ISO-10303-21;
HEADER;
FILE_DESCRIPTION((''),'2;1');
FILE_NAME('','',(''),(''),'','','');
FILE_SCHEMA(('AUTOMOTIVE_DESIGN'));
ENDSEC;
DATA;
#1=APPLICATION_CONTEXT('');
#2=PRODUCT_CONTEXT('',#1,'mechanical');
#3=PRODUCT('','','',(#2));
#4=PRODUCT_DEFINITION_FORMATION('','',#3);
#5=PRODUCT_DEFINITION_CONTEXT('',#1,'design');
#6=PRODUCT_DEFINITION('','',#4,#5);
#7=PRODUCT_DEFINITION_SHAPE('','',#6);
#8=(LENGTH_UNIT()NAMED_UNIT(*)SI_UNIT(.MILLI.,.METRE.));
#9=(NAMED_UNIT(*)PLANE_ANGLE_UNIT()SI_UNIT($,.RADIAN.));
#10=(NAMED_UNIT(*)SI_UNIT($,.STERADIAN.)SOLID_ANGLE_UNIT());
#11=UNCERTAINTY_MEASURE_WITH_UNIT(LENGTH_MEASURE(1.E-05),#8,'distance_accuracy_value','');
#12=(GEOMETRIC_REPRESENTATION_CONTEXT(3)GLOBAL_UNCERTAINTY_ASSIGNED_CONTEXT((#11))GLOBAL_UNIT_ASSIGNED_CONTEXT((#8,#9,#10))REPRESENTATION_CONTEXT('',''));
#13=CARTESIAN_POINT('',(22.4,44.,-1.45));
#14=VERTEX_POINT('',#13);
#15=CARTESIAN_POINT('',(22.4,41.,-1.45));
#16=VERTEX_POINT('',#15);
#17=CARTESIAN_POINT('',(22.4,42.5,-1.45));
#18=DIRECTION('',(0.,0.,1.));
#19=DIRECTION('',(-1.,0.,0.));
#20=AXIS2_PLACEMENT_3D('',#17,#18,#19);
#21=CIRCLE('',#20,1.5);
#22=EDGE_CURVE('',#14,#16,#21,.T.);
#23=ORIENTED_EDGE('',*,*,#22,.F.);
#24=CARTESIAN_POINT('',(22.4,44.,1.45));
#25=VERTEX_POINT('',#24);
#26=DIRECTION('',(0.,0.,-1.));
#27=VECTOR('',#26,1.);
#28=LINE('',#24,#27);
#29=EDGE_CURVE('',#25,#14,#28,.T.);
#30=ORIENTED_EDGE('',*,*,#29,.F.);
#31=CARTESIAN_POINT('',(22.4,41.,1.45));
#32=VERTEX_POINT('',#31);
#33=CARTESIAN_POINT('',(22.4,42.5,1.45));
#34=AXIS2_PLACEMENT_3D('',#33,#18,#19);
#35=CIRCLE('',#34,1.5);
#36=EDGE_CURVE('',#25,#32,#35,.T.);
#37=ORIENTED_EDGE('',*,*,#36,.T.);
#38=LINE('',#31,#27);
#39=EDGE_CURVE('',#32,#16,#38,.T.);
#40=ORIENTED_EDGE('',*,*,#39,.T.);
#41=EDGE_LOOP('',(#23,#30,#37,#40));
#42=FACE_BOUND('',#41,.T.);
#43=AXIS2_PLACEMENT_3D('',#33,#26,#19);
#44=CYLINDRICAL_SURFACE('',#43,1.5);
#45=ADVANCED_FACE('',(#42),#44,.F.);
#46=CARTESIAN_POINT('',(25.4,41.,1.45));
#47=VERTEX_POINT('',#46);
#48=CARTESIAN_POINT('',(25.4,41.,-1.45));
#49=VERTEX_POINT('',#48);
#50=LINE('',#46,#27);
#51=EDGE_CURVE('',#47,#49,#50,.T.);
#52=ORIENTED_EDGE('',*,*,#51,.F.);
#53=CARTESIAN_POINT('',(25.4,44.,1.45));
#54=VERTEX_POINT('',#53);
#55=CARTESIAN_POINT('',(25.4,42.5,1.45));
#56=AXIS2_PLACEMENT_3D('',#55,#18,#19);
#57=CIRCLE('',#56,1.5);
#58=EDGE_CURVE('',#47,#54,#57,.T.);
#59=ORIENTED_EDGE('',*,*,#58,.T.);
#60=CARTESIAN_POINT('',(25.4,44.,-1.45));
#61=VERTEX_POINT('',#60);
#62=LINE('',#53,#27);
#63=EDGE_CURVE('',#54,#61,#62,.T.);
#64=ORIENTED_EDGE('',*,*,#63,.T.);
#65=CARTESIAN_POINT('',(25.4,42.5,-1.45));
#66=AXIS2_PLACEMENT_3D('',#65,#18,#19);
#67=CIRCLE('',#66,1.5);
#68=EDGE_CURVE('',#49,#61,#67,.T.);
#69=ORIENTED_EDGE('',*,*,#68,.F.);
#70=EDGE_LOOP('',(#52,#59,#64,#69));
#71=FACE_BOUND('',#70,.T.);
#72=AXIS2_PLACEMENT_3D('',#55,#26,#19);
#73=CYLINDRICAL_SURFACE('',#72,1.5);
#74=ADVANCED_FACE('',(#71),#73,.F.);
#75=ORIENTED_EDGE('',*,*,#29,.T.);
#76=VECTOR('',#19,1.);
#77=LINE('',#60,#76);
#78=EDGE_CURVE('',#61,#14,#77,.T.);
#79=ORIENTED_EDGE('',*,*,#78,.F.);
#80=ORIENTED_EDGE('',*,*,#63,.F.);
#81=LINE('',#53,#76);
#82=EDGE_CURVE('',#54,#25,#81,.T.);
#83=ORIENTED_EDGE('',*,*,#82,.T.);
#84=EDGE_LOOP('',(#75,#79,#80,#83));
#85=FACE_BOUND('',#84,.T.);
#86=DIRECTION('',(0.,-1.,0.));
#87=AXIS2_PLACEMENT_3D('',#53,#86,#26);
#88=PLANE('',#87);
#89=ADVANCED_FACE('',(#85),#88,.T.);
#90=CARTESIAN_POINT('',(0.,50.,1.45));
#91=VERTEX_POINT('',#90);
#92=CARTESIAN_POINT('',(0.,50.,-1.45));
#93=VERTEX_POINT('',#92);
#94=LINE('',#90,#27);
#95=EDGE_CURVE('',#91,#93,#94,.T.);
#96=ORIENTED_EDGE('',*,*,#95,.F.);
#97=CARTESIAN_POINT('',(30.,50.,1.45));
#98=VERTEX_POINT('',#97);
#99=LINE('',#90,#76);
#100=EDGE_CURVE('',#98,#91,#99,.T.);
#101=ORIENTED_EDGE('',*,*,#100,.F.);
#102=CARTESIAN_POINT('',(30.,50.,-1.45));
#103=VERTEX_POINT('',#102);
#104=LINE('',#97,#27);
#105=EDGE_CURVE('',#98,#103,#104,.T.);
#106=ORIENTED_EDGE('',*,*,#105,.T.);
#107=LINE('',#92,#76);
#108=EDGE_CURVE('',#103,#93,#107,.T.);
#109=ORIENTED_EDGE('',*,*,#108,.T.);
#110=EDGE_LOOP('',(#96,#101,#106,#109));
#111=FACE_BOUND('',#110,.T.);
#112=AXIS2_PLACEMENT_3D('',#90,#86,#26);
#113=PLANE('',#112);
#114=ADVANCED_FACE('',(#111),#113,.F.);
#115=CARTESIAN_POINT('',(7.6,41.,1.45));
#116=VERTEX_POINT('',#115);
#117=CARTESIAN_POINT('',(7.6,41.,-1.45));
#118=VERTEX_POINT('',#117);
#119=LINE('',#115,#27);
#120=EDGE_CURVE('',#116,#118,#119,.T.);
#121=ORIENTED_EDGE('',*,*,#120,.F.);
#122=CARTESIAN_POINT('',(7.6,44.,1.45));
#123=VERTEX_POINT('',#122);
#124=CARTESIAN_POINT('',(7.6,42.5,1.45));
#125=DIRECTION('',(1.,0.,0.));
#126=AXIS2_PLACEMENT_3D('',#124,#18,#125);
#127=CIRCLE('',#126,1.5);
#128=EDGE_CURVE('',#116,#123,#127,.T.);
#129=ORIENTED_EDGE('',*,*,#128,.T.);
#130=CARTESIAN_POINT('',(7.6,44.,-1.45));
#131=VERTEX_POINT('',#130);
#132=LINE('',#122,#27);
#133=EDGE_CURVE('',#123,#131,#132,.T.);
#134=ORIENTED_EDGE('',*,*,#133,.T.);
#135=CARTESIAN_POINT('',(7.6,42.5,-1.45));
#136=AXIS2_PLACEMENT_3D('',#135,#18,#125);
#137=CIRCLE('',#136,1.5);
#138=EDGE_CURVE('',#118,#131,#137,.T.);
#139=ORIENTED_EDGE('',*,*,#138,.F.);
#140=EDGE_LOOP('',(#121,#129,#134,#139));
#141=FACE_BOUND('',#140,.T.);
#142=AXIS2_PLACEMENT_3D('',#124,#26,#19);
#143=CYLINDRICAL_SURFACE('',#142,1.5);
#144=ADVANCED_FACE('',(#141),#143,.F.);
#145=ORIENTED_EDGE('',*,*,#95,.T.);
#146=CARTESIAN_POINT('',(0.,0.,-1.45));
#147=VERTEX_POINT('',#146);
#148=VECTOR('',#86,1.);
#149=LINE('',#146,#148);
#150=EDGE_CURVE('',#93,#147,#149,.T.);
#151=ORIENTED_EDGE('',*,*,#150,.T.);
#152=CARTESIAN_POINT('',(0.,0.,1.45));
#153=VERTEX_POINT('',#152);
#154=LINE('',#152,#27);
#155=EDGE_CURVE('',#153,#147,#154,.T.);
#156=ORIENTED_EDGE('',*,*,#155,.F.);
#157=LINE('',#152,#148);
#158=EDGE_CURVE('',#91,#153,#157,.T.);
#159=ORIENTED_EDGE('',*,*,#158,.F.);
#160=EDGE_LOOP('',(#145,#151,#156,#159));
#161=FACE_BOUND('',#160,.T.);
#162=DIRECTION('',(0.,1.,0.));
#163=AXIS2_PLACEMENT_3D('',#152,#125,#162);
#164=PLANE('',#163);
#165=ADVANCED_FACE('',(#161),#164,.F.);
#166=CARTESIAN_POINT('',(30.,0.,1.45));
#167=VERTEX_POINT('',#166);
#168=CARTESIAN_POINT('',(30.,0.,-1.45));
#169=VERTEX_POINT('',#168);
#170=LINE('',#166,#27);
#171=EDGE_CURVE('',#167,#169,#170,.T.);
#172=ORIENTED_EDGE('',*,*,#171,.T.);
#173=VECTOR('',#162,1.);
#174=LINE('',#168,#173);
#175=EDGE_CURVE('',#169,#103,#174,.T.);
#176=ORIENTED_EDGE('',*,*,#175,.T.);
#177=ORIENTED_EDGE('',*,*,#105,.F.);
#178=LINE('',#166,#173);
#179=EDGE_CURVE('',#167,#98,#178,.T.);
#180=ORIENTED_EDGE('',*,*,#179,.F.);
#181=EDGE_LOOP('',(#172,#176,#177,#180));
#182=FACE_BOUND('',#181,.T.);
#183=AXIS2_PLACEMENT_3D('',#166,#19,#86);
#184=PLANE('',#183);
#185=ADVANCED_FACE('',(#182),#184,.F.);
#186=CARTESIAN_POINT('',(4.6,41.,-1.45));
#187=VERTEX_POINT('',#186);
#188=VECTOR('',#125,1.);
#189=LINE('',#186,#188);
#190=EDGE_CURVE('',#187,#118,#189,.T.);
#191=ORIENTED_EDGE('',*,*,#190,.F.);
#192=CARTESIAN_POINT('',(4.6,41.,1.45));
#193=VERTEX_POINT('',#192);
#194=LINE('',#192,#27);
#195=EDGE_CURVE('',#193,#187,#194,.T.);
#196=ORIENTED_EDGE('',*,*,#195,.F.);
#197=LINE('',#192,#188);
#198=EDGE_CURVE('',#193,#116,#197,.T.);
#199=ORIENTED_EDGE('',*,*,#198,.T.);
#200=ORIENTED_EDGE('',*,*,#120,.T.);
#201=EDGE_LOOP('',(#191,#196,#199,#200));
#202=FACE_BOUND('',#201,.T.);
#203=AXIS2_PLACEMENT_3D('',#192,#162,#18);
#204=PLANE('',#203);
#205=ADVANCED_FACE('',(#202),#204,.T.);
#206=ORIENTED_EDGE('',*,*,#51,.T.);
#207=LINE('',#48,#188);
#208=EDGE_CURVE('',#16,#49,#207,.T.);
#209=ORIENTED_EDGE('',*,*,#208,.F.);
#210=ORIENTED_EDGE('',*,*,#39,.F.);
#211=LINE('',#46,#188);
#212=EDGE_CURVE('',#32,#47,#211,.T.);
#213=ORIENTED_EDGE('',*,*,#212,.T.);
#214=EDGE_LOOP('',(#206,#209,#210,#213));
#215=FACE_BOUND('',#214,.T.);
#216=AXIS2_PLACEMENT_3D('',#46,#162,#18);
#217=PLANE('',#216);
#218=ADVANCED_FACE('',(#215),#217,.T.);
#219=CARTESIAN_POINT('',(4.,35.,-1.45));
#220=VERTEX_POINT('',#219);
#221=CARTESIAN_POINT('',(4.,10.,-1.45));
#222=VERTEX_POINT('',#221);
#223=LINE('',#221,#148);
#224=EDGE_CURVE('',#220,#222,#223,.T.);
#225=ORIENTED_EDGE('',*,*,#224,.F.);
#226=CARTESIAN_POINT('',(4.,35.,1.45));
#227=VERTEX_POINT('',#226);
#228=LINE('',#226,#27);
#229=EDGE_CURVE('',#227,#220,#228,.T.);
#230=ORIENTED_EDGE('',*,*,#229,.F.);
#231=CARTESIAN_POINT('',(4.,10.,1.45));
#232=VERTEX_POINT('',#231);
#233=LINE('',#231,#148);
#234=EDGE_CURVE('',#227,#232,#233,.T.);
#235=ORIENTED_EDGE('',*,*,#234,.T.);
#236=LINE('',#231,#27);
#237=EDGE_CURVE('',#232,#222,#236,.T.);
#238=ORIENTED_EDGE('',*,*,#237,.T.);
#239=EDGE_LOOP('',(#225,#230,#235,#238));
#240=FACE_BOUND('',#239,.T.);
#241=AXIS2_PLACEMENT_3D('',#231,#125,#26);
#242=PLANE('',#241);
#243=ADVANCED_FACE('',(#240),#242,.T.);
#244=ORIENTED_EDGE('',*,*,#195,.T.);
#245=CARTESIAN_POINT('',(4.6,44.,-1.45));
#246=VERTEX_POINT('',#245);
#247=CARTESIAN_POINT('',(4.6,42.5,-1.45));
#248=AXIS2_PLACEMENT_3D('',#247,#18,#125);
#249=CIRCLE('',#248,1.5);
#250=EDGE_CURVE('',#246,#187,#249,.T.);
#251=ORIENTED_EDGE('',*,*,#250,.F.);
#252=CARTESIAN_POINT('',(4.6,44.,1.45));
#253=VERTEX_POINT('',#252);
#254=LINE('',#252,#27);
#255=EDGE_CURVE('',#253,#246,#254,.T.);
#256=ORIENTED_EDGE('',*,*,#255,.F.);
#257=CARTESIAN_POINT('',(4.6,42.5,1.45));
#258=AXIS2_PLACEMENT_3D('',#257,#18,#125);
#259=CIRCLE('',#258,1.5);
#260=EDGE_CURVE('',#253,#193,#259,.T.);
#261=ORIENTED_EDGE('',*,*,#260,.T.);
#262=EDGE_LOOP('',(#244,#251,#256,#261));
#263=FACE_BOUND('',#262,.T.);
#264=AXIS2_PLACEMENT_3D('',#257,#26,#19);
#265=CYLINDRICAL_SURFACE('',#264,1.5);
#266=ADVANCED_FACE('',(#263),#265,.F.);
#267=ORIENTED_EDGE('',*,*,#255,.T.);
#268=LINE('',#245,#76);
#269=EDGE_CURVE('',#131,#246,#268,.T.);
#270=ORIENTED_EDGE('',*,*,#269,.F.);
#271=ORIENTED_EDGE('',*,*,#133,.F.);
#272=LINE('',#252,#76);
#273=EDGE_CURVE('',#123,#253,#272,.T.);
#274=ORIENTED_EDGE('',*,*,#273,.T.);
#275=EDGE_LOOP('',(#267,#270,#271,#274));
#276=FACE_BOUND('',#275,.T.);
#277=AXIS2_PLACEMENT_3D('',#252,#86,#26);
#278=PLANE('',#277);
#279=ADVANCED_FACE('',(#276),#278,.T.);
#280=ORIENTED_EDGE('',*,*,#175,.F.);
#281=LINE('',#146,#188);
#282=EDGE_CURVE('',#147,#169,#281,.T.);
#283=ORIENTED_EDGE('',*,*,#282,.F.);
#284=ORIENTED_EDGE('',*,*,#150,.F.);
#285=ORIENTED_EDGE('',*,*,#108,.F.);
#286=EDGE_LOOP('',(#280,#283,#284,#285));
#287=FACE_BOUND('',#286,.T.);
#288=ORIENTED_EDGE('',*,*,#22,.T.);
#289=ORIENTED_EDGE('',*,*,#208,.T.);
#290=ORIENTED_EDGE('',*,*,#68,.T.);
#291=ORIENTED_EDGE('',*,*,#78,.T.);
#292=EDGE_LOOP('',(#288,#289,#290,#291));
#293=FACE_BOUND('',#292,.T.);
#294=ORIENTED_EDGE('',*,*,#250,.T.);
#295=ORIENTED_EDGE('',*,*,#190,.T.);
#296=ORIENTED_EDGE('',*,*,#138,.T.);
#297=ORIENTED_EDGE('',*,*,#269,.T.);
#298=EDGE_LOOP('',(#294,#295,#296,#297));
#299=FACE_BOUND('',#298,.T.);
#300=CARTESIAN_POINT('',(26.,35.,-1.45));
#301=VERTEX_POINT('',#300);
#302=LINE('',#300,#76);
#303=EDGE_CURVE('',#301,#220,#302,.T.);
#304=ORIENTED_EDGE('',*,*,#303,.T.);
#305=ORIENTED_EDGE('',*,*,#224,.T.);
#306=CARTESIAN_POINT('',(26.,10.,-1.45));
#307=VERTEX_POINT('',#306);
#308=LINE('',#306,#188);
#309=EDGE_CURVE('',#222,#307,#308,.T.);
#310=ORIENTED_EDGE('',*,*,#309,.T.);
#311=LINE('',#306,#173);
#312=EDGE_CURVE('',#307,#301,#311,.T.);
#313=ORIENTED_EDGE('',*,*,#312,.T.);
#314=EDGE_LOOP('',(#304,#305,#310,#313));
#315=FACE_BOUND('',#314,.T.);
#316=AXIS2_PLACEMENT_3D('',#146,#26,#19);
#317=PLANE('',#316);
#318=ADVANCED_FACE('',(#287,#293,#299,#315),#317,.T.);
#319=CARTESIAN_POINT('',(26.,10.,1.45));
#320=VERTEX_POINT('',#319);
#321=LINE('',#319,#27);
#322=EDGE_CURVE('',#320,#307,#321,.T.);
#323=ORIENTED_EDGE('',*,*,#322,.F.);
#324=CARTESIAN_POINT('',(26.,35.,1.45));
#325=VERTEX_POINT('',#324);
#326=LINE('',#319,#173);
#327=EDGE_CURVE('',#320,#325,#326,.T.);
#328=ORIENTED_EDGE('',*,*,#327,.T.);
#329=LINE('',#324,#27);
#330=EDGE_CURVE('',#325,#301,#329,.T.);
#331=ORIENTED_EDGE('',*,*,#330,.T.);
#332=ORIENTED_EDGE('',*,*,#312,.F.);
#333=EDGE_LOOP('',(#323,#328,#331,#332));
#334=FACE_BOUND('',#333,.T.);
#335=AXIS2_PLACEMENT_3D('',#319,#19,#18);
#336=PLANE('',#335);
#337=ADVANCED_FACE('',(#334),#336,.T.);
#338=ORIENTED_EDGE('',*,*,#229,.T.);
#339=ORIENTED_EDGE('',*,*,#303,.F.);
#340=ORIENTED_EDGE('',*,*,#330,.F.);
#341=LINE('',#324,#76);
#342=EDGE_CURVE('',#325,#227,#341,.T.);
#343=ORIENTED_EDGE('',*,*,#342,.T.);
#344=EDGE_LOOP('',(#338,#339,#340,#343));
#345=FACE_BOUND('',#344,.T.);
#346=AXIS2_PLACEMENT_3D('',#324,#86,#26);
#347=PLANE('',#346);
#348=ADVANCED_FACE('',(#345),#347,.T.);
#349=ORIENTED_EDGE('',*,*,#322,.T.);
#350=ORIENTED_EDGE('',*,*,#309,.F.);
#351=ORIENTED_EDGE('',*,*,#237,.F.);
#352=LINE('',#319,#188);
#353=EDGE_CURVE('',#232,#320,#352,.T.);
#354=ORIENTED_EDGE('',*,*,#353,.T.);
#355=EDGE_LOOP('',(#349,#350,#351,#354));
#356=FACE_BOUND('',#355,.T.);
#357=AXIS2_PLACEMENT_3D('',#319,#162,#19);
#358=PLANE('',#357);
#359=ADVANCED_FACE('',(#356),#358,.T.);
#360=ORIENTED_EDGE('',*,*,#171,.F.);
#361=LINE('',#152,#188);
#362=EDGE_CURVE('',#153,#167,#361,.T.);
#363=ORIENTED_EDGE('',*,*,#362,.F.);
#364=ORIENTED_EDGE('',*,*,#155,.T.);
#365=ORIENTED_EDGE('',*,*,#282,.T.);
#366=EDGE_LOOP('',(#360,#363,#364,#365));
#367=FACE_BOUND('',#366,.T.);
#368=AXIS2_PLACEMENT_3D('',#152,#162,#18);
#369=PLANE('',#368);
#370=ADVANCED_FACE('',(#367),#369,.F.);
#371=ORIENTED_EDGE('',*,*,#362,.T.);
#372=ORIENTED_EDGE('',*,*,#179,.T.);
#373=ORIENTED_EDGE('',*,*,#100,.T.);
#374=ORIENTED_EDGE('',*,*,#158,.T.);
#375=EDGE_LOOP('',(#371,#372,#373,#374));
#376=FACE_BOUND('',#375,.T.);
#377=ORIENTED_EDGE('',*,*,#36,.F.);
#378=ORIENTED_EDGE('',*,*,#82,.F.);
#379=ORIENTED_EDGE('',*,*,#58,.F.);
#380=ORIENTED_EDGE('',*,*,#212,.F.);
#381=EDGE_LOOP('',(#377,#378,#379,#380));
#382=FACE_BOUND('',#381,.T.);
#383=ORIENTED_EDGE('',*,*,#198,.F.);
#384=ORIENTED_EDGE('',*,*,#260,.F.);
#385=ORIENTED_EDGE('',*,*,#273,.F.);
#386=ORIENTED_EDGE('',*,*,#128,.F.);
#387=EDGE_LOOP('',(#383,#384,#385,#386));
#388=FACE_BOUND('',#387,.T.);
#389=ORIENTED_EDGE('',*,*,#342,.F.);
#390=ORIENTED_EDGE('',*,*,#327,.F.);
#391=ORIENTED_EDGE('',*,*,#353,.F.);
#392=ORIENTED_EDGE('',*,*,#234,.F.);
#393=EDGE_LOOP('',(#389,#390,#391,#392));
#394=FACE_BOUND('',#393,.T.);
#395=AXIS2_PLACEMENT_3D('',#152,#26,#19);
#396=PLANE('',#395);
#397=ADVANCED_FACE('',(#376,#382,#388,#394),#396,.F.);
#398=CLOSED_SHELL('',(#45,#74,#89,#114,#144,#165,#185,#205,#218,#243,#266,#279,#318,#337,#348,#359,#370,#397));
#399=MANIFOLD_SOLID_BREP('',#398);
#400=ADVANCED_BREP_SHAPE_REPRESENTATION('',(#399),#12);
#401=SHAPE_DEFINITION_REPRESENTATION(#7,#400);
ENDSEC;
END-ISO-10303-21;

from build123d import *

# Parameters (mm, degrees)
SKETCH1_W           = 30
SKETCH1_H           = 50
SKETCH1_W_2         = 22
SKETCH1_H_2         = 25
BOSS_EXTRUDE1_DEPTH = 1.45


with BuildPart() as part:
    # Sketch1 → Boss-Extrude1 (new, symmetric)
    with BuildSketch(Plane.XY):
        with Locations((15, 25)):
            Rectangle(SKETCH1_W, SKETCH1_H)
        with BuildLine():
            Line((4.6, 44), (7.6, 44))
            ThreePointArc((7.6, 44), (9.1, 42.5), (7.6, 41))
            Line((7.6, 41), (4.6, 41))
            ThreePointArc((4.6, 41), (3.1, 42.5), (4.6, 44))
        make_face(mode=Mode.SUBTRACT)
        with BuildLine():
            Line((25.4, 44), (22.4, 44))
            ThreePointArc((22.4, 44), (20.9, 42.5), (22.4, 41))
            Line((22.4, 41), (25.4, 41))
            ThreePointArc((25.4, 41), (26.9, 42.5), (25.4, 44))
        make_face(mode=Mode.SUBTRACT)
        with Locations((15, 22.5)):
            Rectangle(SKETCH1_W_2, SKETCH1_H_2, mode=Mode.SUBTRACT)
    extrude(amount=BOSS_EXTRUDE1_DEPTH, both=True)


solid = part.part
